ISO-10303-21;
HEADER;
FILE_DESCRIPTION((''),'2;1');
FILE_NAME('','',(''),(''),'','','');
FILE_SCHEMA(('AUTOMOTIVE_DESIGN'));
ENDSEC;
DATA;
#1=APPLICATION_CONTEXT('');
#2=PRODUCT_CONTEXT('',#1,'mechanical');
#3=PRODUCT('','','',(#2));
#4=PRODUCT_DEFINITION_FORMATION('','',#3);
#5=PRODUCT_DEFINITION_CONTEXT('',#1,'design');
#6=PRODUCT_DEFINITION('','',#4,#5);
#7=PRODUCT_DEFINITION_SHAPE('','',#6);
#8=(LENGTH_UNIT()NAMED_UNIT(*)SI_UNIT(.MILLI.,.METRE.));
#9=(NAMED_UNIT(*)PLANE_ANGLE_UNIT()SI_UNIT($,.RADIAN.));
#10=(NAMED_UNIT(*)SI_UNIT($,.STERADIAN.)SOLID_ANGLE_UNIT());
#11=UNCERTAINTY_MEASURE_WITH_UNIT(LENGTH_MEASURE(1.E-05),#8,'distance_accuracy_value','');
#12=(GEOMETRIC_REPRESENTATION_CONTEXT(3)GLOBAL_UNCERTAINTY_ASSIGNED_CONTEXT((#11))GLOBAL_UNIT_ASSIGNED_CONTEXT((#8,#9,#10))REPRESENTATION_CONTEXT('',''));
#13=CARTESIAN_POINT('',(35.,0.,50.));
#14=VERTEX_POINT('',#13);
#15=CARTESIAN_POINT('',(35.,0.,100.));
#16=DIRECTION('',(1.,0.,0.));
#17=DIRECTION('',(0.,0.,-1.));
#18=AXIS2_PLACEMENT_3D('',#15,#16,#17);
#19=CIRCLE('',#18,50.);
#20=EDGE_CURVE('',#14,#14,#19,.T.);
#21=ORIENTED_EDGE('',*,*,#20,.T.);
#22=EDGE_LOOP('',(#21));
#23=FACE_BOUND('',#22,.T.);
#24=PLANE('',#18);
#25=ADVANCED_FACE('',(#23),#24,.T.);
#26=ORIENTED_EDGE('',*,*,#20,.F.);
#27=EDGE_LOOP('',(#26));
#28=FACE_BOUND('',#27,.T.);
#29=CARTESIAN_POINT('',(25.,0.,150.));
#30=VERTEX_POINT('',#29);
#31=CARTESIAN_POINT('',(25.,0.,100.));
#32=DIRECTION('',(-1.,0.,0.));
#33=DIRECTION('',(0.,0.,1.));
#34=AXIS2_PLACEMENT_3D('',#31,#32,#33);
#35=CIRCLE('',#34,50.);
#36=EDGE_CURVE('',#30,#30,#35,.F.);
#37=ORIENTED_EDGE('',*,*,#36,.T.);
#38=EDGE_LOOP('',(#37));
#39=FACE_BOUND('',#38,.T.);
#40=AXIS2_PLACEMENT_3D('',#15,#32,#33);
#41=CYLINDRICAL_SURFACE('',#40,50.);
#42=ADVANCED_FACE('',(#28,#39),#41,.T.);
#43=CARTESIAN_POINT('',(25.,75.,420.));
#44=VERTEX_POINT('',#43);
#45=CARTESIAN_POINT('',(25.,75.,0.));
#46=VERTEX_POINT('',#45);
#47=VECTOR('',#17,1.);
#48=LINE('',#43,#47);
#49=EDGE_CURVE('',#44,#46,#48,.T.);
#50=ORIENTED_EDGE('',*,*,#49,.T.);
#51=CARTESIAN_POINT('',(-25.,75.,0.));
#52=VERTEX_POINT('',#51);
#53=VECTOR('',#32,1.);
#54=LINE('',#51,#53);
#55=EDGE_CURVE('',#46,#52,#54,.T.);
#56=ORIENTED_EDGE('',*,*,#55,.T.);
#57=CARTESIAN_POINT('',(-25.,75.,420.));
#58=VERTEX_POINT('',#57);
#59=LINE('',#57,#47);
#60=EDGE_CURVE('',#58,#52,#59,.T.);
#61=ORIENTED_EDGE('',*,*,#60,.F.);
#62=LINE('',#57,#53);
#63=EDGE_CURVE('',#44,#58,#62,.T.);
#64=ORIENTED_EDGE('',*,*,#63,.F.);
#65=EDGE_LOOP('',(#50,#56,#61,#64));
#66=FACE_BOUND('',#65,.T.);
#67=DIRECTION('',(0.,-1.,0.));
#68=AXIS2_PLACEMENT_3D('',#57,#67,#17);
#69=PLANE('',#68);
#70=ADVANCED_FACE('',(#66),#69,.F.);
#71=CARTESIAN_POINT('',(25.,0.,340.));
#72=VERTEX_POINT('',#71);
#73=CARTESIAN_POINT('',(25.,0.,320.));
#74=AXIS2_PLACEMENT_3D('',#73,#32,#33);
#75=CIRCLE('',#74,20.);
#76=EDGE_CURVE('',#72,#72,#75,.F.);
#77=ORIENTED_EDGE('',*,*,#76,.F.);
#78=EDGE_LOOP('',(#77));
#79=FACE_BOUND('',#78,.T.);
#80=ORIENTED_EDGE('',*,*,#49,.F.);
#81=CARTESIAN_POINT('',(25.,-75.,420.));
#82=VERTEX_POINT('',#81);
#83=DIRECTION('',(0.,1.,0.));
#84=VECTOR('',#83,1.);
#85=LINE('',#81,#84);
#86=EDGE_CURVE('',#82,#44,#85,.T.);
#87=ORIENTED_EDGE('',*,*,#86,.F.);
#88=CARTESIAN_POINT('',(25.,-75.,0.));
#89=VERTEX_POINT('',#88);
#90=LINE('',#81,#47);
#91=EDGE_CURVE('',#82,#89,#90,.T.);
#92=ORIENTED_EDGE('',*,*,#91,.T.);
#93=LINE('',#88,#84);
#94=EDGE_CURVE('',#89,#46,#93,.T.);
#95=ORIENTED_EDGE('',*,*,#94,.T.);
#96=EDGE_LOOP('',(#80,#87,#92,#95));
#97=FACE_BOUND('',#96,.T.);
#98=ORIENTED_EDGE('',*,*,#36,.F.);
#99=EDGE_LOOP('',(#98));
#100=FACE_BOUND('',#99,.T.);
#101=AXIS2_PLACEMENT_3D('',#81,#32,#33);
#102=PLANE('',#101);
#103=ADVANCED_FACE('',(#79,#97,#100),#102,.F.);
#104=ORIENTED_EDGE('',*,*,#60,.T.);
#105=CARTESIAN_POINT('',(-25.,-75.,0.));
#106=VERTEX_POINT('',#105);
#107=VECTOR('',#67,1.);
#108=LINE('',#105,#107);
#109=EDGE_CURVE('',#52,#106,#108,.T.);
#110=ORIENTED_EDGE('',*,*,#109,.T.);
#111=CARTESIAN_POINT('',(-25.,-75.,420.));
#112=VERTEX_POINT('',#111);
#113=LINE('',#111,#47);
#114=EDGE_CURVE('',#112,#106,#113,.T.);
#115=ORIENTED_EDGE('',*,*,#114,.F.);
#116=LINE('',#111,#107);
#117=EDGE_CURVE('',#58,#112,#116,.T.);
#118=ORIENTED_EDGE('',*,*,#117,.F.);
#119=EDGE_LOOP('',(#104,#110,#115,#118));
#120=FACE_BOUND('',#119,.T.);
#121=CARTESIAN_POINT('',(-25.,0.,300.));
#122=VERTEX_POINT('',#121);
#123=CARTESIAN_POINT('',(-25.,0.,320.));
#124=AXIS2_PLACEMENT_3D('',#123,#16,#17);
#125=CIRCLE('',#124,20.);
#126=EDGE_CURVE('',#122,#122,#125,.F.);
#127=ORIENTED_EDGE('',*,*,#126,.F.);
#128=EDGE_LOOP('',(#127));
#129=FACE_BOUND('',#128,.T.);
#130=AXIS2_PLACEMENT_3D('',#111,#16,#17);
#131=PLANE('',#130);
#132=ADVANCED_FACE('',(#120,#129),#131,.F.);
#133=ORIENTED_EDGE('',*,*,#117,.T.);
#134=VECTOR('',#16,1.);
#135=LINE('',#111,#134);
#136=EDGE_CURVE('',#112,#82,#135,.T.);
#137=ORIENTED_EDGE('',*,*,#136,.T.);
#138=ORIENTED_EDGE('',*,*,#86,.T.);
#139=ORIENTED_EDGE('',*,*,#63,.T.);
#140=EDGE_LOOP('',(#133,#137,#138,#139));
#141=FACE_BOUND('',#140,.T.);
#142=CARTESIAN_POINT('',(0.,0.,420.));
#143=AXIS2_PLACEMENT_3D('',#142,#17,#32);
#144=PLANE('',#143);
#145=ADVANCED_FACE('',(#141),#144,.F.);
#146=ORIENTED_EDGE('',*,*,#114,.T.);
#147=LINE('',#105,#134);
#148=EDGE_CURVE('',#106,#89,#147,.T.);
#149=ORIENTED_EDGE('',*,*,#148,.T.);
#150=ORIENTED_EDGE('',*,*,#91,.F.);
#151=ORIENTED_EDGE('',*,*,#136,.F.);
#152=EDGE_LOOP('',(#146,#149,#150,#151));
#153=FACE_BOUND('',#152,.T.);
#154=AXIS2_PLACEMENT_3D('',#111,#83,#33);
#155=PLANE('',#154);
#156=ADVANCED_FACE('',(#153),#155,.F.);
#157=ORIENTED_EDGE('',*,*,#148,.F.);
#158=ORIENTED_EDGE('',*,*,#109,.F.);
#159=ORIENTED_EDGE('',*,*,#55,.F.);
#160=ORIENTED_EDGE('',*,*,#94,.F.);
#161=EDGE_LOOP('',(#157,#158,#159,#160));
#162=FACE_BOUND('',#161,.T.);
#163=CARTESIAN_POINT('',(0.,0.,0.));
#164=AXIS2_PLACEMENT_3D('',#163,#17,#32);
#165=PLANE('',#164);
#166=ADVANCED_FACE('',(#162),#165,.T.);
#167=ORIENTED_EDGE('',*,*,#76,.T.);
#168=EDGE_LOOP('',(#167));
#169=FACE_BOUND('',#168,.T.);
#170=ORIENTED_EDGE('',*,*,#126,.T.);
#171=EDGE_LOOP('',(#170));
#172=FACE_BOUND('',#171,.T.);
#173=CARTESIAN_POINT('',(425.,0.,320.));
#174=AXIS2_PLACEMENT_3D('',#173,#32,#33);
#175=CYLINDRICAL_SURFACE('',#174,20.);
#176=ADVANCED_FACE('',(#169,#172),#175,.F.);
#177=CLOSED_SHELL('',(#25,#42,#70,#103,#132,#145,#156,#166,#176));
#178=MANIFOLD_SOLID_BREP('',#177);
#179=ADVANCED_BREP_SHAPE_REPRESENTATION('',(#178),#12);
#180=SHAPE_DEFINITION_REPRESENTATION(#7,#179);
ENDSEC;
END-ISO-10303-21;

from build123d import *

# Parameters (mm, degrees)
SKETCH1_W               = 50
SKETCH1_H               = 150
BOSS_EXTRUDE1_DEPTH     = 420
CUT_EXTRUDE1_DEPTH      = 400
CUT_EXTRUDE1_DEPTH_BACK = 400
SKETCH2_R               = 20
SKETCH3_R               = 50
BOSS_EXTRUDE2_DEPTH     = 10


with BuildPart() as part:
    # Sketch1 → Boss-Extrude1 (new body)
    with BuildSketch(Plane.XY):
        Rectangle(SKETCH1_W, SKETCH1_H)
    extrude(amount=BOSS_EXTRUDE1_DEPTH)

    # Sketch2 → Cut-Extrude1 (cut, two sides: drawn at the far end of the back side and taken through both)
    with BuildSketch(Plane(origin=(25, 0, 0), x_dir=(0, 0, -1), z_dir=(1, 0, 0)).offset(-CUT_EXTRUDE1_DEPTH_BACK)):
        with Locations((-320, 0)):
            Circle(SKETCH2_R)
    extrude(amount=CUT_EXTRUDE1_DEPTH + CUT_EXTRUDE1_DEPTH_BACK, mode=Mode.SUBTRACT)

    # Sketch3 → Boss-Extrude2 (add)
    with BuildSketch(Plane(origin=(25, 0, 0), x_dir=(0, 0, -1), z_dir=(1, 0, 0))):
        with Locations((-100, 0)):
            Circle(SKETCH3_R)
    extrude(amount=BOSS_EXTRUDE2_DEPTH)


solid = part.part
